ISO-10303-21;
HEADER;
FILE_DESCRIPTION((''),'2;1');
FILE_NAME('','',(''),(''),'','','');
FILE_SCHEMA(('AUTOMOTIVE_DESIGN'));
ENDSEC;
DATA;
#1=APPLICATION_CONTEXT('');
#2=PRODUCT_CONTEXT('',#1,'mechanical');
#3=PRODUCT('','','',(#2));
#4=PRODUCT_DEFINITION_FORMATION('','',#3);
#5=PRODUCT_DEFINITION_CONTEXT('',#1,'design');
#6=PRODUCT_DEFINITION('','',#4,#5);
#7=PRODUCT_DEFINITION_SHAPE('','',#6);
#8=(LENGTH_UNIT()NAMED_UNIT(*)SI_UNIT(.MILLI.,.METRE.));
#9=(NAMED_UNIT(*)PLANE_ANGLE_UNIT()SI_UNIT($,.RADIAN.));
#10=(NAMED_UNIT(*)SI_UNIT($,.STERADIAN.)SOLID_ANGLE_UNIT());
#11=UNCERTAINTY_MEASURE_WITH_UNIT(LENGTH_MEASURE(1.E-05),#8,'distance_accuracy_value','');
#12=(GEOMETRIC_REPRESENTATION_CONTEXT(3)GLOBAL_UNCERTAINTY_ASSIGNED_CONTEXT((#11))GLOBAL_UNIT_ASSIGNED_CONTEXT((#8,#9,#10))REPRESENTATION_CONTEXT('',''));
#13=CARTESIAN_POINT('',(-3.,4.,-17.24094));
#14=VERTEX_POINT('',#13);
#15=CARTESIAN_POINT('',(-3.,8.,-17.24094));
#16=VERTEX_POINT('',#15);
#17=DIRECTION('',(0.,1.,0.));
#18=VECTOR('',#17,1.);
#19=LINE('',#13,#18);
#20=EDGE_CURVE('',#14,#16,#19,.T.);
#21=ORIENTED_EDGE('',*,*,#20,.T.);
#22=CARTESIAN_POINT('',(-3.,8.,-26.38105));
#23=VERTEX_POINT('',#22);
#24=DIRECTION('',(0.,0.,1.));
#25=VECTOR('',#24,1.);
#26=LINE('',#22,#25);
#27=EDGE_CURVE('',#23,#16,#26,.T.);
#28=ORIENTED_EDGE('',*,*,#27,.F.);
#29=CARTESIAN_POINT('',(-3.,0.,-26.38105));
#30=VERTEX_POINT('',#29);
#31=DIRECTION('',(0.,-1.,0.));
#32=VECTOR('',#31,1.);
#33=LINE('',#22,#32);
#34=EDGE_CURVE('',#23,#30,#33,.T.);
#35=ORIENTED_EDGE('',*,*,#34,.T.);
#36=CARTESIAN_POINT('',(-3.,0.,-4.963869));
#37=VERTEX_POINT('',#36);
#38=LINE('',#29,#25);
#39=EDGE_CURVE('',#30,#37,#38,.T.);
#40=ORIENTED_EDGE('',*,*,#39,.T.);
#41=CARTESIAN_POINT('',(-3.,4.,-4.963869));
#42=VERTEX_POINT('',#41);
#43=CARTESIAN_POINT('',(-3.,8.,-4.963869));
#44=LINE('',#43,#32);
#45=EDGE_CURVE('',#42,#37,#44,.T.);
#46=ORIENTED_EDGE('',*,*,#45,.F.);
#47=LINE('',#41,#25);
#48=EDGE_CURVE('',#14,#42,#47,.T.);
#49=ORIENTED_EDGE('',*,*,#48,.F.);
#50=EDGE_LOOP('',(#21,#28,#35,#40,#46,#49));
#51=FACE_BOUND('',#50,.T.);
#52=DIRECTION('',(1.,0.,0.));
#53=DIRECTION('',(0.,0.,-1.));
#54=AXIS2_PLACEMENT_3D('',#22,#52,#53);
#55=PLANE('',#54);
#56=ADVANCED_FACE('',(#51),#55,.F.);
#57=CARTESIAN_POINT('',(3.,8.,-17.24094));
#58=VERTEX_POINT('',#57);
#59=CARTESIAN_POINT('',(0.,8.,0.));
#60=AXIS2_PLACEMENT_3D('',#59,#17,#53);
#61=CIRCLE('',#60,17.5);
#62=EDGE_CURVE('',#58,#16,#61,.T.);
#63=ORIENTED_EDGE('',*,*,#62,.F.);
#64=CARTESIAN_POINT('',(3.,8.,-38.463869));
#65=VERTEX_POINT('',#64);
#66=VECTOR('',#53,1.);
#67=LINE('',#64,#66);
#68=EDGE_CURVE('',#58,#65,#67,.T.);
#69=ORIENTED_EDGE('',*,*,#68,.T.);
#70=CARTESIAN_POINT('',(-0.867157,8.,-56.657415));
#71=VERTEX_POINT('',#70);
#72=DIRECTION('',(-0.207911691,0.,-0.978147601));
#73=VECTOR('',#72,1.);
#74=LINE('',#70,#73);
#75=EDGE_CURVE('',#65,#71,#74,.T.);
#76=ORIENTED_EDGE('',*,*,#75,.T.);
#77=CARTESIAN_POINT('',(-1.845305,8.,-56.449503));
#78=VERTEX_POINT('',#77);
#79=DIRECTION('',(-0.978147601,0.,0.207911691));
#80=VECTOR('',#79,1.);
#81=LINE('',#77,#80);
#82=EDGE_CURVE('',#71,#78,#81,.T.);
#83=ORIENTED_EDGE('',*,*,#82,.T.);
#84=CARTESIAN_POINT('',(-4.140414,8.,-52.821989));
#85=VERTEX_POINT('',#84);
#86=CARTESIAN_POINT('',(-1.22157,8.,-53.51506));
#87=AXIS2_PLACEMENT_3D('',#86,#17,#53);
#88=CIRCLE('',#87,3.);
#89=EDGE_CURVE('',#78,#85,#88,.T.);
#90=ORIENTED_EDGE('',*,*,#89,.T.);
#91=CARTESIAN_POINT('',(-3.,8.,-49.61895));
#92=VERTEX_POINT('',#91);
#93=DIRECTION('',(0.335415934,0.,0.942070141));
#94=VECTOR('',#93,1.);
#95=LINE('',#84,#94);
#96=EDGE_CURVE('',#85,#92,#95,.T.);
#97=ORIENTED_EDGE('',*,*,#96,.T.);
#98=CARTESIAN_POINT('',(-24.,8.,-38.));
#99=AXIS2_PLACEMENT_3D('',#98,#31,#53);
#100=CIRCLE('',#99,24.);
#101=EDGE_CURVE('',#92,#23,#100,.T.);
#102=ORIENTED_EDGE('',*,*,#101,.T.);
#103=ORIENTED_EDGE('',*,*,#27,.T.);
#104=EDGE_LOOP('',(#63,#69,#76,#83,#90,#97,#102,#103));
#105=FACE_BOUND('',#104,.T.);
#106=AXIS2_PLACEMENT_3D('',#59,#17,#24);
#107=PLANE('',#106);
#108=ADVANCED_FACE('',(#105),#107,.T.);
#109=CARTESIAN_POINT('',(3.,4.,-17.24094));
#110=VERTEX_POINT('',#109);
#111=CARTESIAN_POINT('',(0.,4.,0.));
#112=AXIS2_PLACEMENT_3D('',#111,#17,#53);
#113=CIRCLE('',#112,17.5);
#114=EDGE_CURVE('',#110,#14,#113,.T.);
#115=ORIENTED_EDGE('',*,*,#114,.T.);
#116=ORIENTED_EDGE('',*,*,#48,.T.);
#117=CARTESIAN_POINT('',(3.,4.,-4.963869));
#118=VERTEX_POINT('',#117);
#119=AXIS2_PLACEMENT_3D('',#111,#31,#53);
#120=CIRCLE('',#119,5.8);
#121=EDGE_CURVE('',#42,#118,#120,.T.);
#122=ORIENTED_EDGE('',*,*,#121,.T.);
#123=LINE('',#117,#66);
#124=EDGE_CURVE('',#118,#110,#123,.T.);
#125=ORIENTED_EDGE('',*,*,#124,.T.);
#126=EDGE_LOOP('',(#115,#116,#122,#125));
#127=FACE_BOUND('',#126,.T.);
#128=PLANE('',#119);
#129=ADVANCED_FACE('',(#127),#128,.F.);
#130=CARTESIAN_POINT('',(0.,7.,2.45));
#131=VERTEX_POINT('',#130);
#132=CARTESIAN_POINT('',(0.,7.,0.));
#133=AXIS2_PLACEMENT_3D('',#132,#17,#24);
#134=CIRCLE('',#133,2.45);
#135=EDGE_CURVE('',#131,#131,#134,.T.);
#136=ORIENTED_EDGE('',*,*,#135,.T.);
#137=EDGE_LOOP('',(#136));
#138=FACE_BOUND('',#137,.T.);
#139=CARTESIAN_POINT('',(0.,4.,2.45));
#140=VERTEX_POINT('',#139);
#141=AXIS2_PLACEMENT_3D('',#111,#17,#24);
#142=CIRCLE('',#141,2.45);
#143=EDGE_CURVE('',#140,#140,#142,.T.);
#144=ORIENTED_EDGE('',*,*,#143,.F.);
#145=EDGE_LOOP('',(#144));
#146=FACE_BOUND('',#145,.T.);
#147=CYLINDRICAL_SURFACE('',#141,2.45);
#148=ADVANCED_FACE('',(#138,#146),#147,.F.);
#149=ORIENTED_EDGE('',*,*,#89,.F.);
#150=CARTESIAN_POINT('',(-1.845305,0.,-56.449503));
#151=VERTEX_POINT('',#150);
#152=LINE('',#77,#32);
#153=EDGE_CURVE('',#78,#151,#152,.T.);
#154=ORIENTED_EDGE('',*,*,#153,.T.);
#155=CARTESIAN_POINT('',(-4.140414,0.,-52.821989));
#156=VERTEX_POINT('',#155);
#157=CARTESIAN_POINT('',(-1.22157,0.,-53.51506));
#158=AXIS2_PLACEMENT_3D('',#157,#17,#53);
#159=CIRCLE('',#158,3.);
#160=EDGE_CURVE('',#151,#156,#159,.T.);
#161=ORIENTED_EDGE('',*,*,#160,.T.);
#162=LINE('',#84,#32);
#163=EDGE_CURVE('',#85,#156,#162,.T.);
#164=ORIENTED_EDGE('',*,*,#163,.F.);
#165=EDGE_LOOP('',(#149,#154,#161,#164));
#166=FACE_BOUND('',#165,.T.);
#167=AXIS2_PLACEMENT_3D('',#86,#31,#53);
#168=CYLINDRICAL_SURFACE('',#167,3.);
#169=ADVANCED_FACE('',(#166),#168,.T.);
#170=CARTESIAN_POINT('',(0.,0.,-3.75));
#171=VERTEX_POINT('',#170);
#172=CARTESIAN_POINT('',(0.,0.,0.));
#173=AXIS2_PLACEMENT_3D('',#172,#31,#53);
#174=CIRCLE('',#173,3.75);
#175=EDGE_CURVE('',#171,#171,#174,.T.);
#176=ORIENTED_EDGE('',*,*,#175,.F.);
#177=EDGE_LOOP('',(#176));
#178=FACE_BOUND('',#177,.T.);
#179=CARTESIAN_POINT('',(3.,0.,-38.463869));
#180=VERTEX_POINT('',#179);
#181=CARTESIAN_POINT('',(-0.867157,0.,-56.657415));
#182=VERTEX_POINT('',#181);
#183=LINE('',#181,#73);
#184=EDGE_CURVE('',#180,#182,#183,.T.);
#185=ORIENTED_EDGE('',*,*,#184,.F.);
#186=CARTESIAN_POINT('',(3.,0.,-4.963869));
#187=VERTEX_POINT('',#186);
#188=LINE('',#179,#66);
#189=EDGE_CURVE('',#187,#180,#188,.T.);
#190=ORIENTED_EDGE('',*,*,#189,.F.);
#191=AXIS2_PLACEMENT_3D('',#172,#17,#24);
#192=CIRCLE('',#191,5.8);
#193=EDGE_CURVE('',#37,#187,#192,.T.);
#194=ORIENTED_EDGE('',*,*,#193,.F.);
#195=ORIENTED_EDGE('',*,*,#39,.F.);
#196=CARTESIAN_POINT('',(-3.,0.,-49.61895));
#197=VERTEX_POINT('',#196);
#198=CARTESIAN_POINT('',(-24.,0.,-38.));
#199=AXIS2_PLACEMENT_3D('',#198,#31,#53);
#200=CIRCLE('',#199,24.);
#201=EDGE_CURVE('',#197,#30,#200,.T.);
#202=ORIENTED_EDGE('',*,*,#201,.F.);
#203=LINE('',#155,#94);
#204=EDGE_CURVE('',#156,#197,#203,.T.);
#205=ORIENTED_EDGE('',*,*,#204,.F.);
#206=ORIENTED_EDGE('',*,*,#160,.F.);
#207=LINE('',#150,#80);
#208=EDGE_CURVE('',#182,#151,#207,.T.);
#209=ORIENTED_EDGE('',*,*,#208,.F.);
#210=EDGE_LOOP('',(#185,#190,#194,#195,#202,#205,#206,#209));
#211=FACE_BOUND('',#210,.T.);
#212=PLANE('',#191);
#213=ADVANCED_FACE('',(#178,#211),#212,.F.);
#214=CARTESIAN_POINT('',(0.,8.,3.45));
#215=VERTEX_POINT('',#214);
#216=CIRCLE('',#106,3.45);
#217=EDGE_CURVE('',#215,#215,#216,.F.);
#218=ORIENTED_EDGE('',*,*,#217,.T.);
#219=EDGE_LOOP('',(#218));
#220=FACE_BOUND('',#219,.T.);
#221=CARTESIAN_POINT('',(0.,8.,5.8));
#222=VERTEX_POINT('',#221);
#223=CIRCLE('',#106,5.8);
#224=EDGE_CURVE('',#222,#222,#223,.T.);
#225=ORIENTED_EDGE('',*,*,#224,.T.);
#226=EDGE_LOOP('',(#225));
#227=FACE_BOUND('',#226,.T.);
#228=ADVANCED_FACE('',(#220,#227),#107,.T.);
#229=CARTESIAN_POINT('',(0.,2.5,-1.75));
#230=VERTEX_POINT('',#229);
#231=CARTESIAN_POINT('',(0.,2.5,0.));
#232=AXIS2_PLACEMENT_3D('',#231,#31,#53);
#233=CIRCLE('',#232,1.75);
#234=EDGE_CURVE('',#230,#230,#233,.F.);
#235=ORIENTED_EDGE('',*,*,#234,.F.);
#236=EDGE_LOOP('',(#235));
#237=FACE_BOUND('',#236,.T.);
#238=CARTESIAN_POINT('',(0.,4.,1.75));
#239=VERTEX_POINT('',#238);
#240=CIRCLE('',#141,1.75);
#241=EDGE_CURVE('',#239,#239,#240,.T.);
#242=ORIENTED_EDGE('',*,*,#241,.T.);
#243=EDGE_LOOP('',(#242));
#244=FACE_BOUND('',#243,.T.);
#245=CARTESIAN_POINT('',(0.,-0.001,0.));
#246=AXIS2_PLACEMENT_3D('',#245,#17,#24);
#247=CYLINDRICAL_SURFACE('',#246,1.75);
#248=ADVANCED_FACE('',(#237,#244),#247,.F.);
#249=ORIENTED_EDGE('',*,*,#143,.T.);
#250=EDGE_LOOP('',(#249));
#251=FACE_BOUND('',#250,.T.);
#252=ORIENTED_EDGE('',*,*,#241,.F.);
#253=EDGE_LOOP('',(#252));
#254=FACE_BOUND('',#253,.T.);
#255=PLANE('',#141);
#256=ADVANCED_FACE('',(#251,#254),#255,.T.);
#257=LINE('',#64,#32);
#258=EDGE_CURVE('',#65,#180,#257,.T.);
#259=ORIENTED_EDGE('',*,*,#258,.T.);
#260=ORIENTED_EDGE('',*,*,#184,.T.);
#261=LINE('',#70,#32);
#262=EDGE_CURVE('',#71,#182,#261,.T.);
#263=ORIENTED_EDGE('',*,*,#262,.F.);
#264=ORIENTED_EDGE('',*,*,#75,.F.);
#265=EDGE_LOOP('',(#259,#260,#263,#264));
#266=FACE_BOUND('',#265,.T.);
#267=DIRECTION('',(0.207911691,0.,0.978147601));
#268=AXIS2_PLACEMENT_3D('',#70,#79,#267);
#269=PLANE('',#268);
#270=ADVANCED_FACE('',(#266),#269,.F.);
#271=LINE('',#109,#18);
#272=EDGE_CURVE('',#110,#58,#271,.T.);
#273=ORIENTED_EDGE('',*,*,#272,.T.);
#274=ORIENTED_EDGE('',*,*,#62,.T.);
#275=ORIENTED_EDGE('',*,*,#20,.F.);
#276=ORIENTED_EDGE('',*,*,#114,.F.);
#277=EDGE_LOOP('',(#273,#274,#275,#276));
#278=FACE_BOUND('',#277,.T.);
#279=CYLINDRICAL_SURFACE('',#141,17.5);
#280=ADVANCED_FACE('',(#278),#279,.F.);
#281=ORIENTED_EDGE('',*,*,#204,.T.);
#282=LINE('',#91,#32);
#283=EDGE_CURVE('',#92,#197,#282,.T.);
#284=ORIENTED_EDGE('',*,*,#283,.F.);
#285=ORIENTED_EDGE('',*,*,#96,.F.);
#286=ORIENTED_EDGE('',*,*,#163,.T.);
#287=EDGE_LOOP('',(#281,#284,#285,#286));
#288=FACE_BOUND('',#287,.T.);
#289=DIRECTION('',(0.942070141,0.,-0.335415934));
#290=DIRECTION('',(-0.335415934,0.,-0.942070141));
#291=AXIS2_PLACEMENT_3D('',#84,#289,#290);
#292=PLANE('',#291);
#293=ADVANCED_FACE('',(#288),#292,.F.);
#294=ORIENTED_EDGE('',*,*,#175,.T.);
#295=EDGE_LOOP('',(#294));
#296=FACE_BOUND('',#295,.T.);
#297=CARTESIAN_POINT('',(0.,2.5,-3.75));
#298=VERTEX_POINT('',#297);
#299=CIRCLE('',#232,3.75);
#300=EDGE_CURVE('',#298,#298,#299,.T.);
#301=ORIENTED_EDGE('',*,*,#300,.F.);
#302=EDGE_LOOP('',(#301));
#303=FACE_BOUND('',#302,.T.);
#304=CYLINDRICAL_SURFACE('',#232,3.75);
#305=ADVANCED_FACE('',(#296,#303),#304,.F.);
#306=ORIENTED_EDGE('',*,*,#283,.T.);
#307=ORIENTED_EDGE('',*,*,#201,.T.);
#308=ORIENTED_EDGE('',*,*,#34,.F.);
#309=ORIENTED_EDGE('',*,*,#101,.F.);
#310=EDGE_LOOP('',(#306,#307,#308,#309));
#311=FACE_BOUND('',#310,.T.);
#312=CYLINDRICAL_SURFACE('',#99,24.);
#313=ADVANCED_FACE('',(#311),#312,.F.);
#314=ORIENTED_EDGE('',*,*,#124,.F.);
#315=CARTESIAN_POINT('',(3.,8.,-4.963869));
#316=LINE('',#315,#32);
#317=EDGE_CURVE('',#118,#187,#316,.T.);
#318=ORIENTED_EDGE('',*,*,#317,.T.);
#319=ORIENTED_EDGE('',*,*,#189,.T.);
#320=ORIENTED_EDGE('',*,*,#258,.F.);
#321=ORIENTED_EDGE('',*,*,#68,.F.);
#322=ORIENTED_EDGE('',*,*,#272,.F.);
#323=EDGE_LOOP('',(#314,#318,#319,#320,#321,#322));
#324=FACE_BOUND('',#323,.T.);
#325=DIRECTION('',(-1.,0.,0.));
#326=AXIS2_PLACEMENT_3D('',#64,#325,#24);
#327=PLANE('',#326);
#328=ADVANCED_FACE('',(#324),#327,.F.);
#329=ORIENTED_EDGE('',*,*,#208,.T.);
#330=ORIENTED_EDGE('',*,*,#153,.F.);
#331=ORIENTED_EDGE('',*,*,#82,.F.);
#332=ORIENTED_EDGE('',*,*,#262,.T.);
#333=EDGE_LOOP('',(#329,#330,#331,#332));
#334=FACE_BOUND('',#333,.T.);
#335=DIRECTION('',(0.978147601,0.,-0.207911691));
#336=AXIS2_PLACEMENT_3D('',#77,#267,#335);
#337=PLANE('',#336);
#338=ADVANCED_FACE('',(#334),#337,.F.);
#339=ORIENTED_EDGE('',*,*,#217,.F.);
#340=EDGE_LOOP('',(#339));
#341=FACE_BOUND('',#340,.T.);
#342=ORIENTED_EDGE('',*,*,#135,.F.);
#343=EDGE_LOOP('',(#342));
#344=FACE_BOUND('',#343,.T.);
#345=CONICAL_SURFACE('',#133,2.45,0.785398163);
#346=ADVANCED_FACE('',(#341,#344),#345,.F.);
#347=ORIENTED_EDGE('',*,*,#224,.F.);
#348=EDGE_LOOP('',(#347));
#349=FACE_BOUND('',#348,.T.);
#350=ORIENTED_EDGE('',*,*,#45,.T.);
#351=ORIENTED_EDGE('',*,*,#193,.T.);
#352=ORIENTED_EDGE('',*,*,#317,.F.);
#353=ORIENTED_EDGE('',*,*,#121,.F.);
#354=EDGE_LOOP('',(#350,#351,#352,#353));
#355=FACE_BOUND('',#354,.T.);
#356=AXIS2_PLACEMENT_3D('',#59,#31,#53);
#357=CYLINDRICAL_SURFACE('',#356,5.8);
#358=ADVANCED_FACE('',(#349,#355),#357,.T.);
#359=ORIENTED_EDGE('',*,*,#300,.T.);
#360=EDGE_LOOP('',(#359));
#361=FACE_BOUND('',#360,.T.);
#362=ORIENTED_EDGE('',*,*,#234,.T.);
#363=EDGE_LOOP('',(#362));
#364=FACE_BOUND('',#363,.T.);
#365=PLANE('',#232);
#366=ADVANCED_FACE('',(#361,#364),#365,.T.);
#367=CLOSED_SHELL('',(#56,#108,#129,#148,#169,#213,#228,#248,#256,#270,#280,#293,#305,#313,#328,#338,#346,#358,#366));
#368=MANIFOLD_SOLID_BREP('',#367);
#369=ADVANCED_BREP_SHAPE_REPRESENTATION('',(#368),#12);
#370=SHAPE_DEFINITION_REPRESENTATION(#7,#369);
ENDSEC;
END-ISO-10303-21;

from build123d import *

# Parameters (mm, degrees)
BOSS_EXTRU_1_DEPTH      = 8
ESQUISSE2_R             = 2.45
ENL_V_MAT_EXTRU_1_DEPTH = 4
ENL_V_MAT_EXTRU_2_REACH = 6
ESQUISSE3_R             = 1.75
ESQUISSE4_R             = 3.75
ENL_V_MAT_EXTRU_3_DEPTH = 2.5
ENL_V_MAT_EXTRU_4_DEPTH = 4
CHANFREIN1_SIZE         = 1


with BuildPart() as part:
    # Esquisse1 → Boss.-Extru.1 (new body)
    with BuildSketch(Plane(origin=(0, 0, 0), x_dir=(1, 0, 0), z_dir=(0, 1, 0))):
        with BuildLine():
            Line((-3, 26.381049961), (-3, 4.963869458))
            ThreePointArc((-3, 4.963869458), (0, -5.8), (3, 4.963869458))
            Line((3, 4.963869458), (3, 38.463869458))
            Line((3, 38.463869458), (-0.867157449, 56.657414832))
            Line((-0.867157449, 56.657414832), (-1.84530505, 56.449503141))
            ThreePointArc((-1.84530505, 56.449503141), (-3.756758837, 55.119060789), (-4.140414176, 52.821988519))
            Line((-4.140414176, 52.821988519), (-3, 49.618950039))
            ThreePointArc((-3, 49.618950039), (0, 38), (-3, 26.381049961))
        make_face()
    extrude(amount=BOSS_EXTRU_1_DEPTH)

    # Esquisse2 → Enlèv. mat.-Extru.1 (cut)
    with BuildSketch(Plane(origin=(0, 8, 0), x_dir=(1, 0, 0), z_dir=(0, 1, 0))):
        Circle(ESQUISSE2_R)
    extrude(amount=-ENL_V_MAT_EXTRU_1_DEPTH, mode=Mode.SUBTRACT)

    # Esquisse3 → Enlèv. mat.-Extru.2 (cut, up to next)
    with BuildSketch(Plane(origin=(0, 4, 0), x_dir=(1, 0, 0), z_dir=(0, 1, 0)), mode=Mode.PRIVATE) as enl_v_mat_extru_2_sk1:
        Circle(ESQUISSE3_R)
    enl_v_mat_extru_2_tool1 = extrude(enl_v_mat_extru_2_sk1.sketch, amount=-ENL_V_MAT_EXTRU_2_REACH, mode=Mode.PRIVATE) & part.part
    add(enl_v_mat_extru_2_tool1.solids().sort_by_distance((0, 4, 0))[0], mode=Mode.SUBTRACT)

    # Esquisse4 → Enlèv. mat.-Extru.3 (cut)
    with BuildSketch(Plane.XZ):
        Circle(ESQUISSE4_R)
    extrude(amount=-ENL_V_MAT_EXTRU_3_DEPTH, mode=Mode.SUBTRACT)

    # Esquisse5 → Enlèv. mat.-Extru.4 (cut)
    with BuildSketch(Plane(origin=(0, 8, 0), x_dir=(1, 0, 0), z_dir=(0, 1, 0))):
        with BuildLine():
            Line((-3, 4.963869458), (-3, 17.24093965))
            ThreePointArc((-3, 17.24093965), (0, 17.5), (3, 17.24093965))
            Line((3, 17.24093965), (3, 4.963869458))
            ThreePointArc((3, 4.963869458), (0, 5.8), (-3, 4.963869458))
        make_face()
    extrude(amount=-ENL_V_MAT_EXTRU_4_DEPTH, mode=Mode.SUBTRACT)

    # Chanfrein1
    chanfrein1_edges = [part.edges().sort_by_distance(p)[0] for p in [
        (-2.45, 8, 0),
    ]]
    chamfer(chanfrein1_edges, length=CHANFREIN1_SIZE)


solid = part.part
